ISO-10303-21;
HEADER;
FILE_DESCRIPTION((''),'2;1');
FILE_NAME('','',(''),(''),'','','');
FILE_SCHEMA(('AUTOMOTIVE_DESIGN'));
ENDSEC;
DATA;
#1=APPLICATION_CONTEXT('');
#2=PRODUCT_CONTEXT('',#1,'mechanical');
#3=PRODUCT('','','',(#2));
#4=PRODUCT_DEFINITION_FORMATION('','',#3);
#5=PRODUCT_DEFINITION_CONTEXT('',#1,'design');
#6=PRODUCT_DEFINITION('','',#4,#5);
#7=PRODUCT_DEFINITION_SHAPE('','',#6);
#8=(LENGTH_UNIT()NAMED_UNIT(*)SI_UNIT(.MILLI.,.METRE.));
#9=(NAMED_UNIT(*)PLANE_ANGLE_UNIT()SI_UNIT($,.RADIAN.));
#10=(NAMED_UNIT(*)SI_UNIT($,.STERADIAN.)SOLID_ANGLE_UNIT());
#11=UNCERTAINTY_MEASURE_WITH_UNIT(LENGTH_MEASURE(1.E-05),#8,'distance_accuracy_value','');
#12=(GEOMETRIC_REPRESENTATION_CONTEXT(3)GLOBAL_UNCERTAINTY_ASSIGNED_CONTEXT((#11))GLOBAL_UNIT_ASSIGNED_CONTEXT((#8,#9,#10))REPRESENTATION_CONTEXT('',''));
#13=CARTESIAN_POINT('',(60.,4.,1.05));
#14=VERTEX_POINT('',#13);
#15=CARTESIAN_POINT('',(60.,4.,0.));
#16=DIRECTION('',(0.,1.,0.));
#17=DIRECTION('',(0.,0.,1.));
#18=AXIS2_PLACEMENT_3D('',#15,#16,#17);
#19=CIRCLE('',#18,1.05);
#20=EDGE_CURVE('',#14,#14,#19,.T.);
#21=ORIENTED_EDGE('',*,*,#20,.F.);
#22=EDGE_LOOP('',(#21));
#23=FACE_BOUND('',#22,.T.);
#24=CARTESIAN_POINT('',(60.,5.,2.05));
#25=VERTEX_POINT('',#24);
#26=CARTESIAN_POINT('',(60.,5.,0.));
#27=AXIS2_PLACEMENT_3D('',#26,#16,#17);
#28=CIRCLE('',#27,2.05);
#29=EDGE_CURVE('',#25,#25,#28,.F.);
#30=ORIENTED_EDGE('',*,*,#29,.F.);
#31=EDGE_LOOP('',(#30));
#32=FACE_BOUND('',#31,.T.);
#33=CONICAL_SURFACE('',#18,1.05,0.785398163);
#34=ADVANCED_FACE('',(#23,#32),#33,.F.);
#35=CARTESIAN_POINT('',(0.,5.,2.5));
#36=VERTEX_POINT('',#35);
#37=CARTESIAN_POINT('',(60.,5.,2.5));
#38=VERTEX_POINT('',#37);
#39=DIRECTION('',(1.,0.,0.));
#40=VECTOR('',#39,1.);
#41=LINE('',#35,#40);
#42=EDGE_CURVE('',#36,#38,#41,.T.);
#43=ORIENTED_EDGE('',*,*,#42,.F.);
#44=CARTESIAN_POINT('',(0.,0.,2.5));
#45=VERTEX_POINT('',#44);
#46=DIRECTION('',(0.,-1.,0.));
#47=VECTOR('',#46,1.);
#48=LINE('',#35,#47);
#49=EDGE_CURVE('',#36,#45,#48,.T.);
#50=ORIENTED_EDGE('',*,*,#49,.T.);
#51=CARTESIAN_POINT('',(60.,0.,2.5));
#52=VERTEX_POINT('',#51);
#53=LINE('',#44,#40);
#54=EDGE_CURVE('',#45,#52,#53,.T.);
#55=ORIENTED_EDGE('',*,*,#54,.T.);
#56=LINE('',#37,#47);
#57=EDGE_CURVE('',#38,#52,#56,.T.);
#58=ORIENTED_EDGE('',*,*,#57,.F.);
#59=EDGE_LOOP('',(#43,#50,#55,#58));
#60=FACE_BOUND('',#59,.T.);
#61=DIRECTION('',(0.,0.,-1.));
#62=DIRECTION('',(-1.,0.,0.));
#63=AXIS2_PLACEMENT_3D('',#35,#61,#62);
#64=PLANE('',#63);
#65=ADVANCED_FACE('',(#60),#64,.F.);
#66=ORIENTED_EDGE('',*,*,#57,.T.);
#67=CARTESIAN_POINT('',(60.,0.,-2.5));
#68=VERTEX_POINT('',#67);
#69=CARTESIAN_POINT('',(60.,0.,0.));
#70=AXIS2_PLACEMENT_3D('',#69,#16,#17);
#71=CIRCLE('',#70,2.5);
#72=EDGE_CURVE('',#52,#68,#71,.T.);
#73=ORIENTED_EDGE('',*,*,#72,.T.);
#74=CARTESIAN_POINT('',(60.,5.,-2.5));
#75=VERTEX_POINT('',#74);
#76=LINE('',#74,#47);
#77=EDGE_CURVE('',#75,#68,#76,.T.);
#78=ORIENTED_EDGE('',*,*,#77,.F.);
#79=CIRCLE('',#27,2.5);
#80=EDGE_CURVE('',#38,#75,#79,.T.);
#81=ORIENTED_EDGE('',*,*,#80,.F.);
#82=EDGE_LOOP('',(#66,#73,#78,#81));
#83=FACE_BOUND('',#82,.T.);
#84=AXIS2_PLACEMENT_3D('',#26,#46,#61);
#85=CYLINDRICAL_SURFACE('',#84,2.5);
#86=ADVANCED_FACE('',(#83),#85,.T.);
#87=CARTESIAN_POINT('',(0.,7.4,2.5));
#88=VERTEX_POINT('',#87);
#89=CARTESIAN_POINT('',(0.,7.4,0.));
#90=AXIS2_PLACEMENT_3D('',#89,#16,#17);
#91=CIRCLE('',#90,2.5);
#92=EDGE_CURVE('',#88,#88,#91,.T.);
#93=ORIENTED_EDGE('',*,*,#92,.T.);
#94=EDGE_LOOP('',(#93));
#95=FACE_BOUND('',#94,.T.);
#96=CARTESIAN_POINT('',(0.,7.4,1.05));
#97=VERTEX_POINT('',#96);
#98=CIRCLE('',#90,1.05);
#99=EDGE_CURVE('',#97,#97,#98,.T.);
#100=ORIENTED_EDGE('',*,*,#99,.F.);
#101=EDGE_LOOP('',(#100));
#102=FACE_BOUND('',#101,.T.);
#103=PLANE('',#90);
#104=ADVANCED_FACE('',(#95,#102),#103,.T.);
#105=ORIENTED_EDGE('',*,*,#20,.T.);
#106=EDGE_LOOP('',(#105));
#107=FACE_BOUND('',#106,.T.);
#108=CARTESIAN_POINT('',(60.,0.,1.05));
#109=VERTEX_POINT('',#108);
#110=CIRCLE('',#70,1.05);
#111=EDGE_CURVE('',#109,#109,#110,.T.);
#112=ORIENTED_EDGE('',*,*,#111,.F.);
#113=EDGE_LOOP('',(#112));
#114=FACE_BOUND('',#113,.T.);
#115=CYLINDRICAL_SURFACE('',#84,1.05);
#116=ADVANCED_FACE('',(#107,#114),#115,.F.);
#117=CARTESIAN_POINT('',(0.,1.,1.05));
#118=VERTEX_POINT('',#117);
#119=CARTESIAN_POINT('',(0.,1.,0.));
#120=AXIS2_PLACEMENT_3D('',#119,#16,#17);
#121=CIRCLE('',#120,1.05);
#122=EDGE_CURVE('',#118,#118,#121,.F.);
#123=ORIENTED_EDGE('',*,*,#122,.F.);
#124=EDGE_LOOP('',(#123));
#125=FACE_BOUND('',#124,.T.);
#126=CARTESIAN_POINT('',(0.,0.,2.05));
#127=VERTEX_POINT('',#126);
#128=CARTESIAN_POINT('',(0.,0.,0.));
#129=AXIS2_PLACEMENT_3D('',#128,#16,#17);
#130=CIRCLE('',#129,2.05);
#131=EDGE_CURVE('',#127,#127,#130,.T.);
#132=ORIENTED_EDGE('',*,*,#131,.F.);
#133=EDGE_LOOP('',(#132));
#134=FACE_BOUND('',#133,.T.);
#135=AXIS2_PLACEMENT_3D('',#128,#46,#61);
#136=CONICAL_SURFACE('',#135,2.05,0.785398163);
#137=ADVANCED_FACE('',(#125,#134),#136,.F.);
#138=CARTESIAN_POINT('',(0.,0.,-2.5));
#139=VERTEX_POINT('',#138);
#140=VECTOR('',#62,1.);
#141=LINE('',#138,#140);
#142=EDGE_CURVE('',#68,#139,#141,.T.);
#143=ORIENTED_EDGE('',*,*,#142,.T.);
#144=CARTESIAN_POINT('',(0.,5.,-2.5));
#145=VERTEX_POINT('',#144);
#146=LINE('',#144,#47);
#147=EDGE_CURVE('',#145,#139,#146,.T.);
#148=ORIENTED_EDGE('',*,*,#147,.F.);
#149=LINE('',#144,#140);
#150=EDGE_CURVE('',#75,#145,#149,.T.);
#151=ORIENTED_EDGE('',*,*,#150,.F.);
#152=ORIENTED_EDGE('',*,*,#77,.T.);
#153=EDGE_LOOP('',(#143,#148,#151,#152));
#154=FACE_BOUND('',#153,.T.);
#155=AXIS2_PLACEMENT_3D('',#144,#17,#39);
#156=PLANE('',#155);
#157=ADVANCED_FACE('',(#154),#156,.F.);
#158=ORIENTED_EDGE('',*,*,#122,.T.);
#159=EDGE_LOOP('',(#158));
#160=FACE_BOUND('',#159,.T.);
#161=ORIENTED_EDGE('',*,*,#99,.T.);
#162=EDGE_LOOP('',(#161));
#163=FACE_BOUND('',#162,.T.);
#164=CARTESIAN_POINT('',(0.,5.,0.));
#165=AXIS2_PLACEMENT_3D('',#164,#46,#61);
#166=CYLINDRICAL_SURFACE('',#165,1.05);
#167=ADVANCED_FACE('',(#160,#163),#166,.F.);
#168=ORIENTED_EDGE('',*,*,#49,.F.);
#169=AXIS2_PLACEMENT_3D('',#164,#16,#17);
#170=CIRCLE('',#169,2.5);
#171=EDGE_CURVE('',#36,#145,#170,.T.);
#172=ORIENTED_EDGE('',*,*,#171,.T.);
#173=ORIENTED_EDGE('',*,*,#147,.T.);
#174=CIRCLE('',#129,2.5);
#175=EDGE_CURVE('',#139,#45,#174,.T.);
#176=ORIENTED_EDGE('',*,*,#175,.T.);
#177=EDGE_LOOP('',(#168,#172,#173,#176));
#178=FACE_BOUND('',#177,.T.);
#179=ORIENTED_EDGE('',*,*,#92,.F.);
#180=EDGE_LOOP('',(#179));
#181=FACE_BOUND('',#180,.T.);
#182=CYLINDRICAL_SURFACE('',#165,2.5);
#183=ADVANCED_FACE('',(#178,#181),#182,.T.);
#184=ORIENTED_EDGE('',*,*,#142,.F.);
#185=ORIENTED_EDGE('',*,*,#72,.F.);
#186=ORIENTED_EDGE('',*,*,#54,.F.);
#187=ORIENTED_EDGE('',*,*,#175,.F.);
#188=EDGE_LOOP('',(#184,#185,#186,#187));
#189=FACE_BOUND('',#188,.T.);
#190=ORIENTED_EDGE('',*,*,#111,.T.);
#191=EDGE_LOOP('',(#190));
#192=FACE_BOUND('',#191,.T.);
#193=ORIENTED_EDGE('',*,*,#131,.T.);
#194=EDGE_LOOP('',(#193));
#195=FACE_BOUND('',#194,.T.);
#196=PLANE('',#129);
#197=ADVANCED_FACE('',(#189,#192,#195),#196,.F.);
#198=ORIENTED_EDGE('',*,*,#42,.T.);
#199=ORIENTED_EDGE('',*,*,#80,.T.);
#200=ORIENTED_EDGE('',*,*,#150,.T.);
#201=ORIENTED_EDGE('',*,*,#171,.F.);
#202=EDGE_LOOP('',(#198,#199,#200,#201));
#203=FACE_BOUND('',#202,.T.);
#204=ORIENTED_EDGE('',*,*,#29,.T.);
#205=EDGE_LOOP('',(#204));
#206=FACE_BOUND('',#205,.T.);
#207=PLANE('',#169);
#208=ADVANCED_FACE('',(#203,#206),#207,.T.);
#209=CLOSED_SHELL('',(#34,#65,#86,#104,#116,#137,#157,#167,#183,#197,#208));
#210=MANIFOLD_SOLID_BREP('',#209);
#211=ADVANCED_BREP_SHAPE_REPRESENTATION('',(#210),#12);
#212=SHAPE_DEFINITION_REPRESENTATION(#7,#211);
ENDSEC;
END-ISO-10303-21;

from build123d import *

# Parameters (mm, degrees)
SKETCH1_R           = 1.05
BOSS_EXTRUDE1_DEPTH = 5
CHAMFER1_SIZE       = 1
CHAMFER2_SIZE       = 1
SKETCH2_R           = 2.5
SKETCH2_R_2         = 1.05
BOSS_EXTRUDE2_DEPTH = 2.4


with BuildPart() as part:
    # Sketch1 → Boss-Extrude1 (new body)
    with BuildSketch(Plane(origin=(0, 0, 0), x_dir=(1, 0, 0), z_dir=(0, 1, 0))):
        with BuildLine():
            Line((0, 2.5), (60, 2.5))
            ThreePointArc((60, 2.5), (62.5, 0), (60, -2.5))
            Line((60, -2.5), (0, -2.5))
            ThreePointArc((0, -2.5), (-2.5, 0), (0, 2.5))
        make_face()
        with Locations(Location((0, 0, 0), (0, 0, 270))):
            Circle(SKETCH1_R, mode=Mode.SUBTRACT)
        with Locations(Location((60, 0, 0), (0, 0, 270))):
            Circle(SKETCH1_R, mode=Mode.SUBTRACT)
    extrude(amount=BOSS_EXTRUDE1_DEPTH)

    # Chamfer1
    chamfer1_edges = [part.edges().sort_by_distance(p)[0] for p in [
        (60, 5, -1.05),
    ]]
    chamfer(chamfer1_edges, length=CHAMFER1_SIZE)

    # Chamfer2
    chamfer2_edges = [part.edges().sort_by_distance(p)[0] for p in [
        (0, 0, -1.05),
    ]]
    chamfer(chamfer2_edges, length=CHAMFER2_SIZE)

    # Sketch2 → Boss-Extrude2 (add)
    with BuildSketch(Plane(origin=(0, 5, 0), x_dir=(1, 0, 0), z_dir=(0, 1, 0))):
        with Locations(Location((0, 0, 0), (0, 0, 270))):
            Circle(SKETCH2_R)
        with Locations(Location((0, 0, 0), (0, 0, 270))):
            Circle(SKETCH2_R_2, mode=Mode.SUBTRACT)
    extrude(amount=BOSS_EXTRUDE2_DEPTH)


solid = part.part
